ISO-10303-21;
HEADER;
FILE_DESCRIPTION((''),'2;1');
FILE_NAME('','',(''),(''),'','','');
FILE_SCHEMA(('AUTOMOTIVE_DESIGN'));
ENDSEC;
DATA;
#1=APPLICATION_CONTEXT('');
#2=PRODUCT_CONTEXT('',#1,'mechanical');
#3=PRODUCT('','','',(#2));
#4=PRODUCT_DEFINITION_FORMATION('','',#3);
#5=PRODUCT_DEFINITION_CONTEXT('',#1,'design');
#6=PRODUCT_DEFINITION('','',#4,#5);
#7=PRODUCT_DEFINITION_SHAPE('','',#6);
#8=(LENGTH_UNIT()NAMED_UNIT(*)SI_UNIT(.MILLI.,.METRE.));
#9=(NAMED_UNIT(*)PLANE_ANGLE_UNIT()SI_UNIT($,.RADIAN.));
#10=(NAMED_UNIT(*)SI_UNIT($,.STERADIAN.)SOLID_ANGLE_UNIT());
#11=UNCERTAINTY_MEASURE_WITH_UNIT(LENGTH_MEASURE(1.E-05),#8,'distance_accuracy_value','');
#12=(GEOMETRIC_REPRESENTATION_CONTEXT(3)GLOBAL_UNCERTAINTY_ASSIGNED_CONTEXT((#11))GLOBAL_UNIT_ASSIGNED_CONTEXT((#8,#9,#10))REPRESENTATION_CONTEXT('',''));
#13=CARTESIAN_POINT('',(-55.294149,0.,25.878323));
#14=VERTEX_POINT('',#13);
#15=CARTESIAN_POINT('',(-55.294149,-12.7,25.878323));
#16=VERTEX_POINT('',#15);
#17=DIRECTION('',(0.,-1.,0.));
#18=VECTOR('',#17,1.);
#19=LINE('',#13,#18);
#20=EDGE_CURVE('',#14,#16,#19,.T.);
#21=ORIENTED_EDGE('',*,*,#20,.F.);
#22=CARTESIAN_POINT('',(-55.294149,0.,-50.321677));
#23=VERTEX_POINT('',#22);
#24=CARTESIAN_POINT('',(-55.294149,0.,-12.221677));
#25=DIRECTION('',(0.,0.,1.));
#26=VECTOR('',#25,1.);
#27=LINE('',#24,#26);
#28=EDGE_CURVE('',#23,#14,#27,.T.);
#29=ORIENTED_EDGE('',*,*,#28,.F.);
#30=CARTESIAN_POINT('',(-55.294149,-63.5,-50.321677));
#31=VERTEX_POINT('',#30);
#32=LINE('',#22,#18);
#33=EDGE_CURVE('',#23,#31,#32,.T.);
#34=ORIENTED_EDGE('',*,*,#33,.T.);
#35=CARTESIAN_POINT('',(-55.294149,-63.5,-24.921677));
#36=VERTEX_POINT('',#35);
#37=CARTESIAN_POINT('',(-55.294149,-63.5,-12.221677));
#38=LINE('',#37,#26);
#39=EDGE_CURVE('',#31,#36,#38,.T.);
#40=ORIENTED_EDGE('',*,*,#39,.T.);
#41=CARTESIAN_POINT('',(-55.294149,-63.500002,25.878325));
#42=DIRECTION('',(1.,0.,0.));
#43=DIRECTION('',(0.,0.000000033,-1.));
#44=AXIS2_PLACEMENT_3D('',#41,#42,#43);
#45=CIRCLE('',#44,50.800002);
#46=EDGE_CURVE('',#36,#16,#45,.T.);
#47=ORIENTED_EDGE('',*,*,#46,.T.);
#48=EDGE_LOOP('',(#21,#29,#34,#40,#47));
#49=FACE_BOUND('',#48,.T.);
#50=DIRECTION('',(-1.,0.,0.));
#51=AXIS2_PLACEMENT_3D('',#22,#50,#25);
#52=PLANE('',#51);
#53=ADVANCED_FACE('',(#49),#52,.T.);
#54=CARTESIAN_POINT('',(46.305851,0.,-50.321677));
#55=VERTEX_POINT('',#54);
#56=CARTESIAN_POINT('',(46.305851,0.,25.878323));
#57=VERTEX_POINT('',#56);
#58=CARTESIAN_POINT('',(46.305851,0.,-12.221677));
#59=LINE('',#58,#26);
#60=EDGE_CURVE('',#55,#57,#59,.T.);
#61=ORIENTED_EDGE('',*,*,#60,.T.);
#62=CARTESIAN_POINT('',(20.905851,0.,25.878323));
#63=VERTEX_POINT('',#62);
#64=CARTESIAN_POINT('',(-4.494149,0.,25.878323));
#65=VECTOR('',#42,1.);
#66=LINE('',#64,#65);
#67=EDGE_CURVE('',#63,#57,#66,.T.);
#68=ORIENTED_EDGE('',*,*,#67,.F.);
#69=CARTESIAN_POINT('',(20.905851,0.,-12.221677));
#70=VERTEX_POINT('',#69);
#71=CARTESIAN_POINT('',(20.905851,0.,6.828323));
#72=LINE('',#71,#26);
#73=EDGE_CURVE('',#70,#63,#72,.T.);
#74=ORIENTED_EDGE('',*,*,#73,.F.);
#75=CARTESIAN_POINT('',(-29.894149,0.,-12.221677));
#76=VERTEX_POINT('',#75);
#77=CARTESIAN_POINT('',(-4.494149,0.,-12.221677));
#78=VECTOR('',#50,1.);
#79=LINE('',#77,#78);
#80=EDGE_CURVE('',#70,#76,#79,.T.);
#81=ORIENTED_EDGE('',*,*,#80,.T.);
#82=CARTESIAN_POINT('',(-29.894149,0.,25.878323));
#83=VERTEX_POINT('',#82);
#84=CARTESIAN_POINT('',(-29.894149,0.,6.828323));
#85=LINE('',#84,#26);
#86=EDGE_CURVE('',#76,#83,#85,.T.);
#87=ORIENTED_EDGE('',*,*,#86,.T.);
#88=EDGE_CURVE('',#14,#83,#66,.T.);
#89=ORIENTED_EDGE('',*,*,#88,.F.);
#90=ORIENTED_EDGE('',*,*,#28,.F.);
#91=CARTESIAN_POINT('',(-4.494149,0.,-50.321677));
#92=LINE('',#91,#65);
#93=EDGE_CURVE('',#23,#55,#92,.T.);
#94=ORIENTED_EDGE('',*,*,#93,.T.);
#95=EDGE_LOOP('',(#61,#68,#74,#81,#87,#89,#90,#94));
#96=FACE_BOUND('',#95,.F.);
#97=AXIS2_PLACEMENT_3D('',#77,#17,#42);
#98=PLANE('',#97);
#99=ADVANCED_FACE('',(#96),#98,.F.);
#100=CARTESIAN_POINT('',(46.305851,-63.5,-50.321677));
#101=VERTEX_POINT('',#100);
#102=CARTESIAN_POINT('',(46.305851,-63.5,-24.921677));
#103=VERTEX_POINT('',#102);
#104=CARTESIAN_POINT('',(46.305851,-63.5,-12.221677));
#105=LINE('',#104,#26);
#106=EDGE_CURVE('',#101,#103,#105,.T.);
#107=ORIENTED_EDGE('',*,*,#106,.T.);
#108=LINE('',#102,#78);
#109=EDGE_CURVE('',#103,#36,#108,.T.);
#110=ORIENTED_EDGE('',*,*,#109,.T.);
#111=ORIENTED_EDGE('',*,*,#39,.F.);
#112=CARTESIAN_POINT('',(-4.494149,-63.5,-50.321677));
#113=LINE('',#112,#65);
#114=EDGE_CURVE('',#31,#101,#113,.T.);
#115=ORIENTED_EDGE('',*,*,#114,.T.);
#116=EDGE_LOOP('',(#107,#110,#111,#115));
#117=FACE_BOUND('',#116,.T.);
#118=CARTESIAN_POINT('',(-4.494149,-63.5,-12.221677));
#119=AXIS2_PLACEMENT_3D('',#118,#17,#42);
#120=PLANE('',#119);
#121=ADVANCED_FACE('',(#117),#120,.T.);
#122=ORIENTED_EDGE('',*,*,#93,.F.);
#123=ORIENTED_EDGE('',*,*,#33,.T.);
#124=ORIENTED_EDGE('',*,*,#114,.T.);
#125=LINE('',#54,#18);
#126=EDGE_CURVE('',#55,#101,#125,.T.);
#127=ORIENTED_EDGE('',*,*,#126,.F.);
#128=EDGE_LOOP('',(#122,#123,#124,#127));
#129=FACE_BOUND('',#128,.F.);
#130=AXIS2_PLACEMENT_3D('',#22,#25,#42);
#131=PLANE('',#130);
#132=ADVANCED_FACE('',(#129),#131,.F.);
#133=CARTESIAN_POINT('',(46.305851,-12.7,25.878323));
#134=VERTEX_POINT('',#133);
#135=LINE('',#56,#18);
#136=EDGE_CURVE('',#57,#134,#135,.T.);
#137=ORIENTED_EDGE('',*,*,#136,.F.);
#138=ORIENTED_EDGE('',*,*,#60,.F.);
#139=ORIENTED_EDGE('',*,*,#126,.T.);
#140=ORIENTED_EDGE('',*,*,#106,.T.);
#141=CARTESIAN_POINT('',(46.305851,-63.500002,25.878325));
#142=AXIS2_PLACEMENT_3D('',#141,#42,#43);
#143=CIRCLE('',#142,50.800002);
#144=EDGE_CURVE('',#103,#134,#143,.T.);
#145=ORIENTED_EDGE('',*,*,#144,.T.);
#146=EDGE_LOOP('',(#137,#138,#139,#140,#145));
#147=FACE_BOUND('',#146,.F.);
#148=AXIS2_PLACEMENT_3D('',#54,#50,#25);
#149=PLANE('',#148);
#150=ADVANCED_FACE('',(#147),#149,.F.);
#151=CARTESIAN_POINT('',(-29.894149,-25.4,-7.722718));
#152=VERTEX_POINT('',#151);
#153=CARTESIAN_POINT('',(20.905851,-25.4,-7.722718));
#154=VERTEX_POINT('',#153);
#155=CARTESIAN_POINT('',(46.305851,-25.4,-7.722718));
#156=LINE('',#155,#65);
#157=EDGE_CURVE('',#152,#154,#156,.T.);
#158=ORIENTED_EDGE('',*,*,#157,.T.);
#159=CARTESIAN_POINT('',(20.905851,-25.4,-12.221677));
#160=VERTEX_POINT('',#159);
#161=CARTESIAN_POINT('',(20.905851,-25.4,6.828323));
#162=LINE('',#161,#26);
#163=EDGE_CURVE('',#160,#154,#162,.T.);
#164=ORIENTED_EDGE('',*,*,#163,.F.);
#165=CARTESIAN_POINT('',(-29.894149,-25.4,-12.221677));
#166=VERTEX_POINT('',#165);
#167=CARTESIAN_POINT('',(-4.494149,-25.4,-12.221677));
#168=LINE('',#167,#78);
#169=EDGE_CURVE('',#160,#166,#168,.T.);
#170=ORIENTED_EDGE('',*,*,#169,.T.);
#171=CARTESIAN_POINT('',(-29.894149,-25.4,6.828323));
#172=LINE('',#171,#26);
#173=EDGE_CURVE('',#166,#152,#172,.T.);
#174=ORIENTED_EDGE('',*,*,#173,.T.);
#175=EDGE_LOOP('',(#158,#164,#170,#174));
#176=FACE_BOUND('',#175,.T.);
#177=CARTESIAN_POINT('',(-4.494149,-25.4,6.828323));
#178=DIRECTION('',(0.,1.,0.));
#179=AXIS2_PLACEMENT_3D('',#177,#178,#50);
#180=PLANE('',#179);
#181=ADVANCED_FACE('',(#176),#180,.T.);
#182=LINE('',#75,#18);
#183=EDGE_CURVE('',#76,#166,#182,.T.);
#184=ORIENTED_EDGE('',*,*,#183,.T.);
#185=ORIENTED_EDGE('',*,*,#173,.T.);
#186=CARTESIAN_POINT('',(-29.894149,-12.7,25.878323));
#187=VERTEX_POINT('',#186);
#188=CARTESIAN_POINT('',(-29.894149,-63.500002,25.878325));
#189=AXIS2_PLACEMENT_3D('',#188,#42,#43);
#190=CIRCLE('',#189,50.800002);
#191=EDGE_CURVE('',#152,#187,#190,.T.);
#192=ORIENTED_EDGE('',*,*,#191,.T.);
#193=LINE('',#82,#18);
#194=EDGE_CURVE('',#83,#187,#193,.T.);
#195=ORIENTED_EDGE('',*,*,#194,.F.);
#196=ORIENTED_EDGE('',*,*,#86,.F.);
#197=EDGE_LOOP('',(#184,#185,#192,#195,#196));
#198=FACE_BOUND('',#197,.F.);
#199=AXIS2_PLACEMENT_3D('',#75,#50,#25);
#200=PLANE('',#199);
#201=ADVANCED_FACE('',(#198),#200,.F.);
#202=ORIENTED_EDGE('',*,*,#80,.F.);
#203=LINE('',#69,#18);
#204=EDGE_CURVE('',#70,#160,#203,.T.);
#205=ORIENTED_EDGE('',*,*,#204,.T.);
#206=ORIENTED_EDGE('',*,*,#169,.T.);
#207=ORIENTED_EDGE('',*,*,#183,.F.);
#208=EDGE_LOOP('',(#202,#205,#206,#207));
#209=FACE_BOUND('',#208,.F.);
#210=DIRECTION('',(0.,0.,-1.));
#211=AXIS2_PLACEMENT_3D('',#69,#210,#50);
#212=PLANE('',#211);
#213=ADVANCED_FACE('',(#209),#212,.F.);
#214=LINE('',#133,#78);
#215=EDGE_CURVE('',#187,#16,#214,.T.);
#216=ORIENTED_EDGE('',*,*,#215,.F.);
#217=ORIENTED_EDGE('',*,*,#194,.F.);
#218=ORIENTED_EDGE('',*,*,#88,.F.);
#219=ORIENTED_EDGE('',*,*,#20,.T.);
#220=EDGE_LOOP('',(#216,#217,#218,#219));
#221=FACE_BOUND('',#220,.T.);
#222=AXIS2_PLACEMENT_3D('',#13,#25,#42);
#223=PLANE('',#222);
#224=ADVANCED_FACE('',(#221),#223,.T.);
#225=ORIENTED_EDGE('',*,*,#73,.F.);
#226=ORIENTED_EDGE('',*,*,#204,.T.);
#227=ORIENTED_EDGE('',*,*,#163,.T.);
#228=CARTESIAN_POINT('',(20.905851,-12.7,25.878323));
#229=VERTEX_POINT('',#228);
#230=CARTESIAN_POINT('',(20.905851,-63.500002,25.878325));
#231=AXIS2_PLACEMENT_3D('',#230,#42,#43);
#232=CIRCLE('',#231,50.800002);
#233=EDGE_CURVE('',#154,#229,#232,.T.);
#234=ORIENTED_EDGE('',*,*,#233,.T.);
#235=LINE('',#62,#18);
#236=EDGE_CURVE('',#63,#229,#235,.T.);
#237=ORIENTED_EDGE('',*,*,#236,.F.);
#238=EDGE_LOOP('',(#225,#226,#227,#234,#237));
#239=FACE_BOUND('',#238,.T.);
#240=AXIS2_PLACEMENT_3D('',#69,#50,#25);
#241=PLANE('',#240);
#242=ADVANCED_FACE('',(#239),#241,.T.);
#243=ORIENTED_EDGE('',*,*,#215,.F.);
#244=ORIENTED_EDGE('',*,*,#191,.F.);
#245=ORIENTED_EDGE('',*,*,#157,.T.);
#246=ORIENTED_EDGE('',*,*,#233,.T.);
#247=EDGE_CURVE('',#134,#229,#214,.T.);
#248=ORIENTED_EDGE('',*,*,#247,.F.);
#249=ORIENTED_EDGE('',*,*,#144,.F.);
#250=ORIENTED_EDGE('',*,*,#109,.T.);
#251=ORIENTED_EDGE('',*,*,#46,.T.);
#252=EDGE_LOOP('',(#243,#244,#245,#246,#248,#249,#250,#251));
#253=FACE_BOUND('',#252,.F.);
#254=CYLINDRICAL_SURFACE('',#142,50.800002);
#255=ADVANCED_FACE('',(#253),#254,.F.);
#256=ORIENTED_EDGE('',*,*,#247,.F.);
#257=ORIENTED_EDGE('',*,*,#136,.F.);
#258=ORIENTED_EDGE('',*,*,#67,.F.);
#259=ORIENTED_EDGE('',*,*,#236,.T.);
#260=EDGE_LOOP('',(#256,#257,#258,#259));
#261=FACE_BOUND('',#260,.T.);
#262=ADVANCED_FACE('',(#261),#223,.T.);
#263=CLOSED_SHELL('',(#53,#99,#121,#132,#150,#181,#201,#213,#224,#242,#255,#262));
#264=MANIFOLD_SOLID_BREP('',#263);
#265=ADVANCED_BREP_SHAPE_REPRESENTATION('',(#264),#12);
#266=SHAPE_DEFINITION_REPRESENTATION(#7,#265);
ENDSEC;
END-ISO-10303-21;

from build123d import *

# Parameters (mm, degrees)
F0_W     = 101.6
F0_H     = 76.2
F1_DEPTH = 63.5
F3_DEPTH = 114.3
F4_W     = 50.8
F4_H     = 38.1
F5_DEPTH = 25.4


with BuildPart() as f1:
    # F0 (on Front) → F1 (new body)
    with BuildSketch(Plane.XZ):
        with Locations((-4.494149, -12.221677)):
            Rectangle(F0_W, F0_H)
    extrude(amount=F1_DEPTH)

    # F2 (on face) → F3 (cut)
    with BuildSketch(Plane.YZ.offset(46.305851)):
        with BuildLine():
            Line((-63.5, 25.878323), (-63.5, -24.921677))
            ThreePointArc((-63.5, -24.921677), (-27.578976, -10.042701), (-12.7, 25.878323))
            Line((-12.7, 25.878323), (-63.5, 25.878323))
        make_face()
    extrude(amount=-F3_DEPTH, mode=Mode.SUBTRACT)

    # F4 (on face) → F5 (cut)
    with BuildSketch(Plane(origin=(0, 0, 0), x_dir=(-1, 0, 0), z_dir=(0, 1, 0))):
        with Locations((4.494149, 6.828323)):
            Rectangle(F4_W, F4_H)
    extrude(amount=-F5_DEPTH, mode=Mode.SUBTRACT)


solid = f1.part
